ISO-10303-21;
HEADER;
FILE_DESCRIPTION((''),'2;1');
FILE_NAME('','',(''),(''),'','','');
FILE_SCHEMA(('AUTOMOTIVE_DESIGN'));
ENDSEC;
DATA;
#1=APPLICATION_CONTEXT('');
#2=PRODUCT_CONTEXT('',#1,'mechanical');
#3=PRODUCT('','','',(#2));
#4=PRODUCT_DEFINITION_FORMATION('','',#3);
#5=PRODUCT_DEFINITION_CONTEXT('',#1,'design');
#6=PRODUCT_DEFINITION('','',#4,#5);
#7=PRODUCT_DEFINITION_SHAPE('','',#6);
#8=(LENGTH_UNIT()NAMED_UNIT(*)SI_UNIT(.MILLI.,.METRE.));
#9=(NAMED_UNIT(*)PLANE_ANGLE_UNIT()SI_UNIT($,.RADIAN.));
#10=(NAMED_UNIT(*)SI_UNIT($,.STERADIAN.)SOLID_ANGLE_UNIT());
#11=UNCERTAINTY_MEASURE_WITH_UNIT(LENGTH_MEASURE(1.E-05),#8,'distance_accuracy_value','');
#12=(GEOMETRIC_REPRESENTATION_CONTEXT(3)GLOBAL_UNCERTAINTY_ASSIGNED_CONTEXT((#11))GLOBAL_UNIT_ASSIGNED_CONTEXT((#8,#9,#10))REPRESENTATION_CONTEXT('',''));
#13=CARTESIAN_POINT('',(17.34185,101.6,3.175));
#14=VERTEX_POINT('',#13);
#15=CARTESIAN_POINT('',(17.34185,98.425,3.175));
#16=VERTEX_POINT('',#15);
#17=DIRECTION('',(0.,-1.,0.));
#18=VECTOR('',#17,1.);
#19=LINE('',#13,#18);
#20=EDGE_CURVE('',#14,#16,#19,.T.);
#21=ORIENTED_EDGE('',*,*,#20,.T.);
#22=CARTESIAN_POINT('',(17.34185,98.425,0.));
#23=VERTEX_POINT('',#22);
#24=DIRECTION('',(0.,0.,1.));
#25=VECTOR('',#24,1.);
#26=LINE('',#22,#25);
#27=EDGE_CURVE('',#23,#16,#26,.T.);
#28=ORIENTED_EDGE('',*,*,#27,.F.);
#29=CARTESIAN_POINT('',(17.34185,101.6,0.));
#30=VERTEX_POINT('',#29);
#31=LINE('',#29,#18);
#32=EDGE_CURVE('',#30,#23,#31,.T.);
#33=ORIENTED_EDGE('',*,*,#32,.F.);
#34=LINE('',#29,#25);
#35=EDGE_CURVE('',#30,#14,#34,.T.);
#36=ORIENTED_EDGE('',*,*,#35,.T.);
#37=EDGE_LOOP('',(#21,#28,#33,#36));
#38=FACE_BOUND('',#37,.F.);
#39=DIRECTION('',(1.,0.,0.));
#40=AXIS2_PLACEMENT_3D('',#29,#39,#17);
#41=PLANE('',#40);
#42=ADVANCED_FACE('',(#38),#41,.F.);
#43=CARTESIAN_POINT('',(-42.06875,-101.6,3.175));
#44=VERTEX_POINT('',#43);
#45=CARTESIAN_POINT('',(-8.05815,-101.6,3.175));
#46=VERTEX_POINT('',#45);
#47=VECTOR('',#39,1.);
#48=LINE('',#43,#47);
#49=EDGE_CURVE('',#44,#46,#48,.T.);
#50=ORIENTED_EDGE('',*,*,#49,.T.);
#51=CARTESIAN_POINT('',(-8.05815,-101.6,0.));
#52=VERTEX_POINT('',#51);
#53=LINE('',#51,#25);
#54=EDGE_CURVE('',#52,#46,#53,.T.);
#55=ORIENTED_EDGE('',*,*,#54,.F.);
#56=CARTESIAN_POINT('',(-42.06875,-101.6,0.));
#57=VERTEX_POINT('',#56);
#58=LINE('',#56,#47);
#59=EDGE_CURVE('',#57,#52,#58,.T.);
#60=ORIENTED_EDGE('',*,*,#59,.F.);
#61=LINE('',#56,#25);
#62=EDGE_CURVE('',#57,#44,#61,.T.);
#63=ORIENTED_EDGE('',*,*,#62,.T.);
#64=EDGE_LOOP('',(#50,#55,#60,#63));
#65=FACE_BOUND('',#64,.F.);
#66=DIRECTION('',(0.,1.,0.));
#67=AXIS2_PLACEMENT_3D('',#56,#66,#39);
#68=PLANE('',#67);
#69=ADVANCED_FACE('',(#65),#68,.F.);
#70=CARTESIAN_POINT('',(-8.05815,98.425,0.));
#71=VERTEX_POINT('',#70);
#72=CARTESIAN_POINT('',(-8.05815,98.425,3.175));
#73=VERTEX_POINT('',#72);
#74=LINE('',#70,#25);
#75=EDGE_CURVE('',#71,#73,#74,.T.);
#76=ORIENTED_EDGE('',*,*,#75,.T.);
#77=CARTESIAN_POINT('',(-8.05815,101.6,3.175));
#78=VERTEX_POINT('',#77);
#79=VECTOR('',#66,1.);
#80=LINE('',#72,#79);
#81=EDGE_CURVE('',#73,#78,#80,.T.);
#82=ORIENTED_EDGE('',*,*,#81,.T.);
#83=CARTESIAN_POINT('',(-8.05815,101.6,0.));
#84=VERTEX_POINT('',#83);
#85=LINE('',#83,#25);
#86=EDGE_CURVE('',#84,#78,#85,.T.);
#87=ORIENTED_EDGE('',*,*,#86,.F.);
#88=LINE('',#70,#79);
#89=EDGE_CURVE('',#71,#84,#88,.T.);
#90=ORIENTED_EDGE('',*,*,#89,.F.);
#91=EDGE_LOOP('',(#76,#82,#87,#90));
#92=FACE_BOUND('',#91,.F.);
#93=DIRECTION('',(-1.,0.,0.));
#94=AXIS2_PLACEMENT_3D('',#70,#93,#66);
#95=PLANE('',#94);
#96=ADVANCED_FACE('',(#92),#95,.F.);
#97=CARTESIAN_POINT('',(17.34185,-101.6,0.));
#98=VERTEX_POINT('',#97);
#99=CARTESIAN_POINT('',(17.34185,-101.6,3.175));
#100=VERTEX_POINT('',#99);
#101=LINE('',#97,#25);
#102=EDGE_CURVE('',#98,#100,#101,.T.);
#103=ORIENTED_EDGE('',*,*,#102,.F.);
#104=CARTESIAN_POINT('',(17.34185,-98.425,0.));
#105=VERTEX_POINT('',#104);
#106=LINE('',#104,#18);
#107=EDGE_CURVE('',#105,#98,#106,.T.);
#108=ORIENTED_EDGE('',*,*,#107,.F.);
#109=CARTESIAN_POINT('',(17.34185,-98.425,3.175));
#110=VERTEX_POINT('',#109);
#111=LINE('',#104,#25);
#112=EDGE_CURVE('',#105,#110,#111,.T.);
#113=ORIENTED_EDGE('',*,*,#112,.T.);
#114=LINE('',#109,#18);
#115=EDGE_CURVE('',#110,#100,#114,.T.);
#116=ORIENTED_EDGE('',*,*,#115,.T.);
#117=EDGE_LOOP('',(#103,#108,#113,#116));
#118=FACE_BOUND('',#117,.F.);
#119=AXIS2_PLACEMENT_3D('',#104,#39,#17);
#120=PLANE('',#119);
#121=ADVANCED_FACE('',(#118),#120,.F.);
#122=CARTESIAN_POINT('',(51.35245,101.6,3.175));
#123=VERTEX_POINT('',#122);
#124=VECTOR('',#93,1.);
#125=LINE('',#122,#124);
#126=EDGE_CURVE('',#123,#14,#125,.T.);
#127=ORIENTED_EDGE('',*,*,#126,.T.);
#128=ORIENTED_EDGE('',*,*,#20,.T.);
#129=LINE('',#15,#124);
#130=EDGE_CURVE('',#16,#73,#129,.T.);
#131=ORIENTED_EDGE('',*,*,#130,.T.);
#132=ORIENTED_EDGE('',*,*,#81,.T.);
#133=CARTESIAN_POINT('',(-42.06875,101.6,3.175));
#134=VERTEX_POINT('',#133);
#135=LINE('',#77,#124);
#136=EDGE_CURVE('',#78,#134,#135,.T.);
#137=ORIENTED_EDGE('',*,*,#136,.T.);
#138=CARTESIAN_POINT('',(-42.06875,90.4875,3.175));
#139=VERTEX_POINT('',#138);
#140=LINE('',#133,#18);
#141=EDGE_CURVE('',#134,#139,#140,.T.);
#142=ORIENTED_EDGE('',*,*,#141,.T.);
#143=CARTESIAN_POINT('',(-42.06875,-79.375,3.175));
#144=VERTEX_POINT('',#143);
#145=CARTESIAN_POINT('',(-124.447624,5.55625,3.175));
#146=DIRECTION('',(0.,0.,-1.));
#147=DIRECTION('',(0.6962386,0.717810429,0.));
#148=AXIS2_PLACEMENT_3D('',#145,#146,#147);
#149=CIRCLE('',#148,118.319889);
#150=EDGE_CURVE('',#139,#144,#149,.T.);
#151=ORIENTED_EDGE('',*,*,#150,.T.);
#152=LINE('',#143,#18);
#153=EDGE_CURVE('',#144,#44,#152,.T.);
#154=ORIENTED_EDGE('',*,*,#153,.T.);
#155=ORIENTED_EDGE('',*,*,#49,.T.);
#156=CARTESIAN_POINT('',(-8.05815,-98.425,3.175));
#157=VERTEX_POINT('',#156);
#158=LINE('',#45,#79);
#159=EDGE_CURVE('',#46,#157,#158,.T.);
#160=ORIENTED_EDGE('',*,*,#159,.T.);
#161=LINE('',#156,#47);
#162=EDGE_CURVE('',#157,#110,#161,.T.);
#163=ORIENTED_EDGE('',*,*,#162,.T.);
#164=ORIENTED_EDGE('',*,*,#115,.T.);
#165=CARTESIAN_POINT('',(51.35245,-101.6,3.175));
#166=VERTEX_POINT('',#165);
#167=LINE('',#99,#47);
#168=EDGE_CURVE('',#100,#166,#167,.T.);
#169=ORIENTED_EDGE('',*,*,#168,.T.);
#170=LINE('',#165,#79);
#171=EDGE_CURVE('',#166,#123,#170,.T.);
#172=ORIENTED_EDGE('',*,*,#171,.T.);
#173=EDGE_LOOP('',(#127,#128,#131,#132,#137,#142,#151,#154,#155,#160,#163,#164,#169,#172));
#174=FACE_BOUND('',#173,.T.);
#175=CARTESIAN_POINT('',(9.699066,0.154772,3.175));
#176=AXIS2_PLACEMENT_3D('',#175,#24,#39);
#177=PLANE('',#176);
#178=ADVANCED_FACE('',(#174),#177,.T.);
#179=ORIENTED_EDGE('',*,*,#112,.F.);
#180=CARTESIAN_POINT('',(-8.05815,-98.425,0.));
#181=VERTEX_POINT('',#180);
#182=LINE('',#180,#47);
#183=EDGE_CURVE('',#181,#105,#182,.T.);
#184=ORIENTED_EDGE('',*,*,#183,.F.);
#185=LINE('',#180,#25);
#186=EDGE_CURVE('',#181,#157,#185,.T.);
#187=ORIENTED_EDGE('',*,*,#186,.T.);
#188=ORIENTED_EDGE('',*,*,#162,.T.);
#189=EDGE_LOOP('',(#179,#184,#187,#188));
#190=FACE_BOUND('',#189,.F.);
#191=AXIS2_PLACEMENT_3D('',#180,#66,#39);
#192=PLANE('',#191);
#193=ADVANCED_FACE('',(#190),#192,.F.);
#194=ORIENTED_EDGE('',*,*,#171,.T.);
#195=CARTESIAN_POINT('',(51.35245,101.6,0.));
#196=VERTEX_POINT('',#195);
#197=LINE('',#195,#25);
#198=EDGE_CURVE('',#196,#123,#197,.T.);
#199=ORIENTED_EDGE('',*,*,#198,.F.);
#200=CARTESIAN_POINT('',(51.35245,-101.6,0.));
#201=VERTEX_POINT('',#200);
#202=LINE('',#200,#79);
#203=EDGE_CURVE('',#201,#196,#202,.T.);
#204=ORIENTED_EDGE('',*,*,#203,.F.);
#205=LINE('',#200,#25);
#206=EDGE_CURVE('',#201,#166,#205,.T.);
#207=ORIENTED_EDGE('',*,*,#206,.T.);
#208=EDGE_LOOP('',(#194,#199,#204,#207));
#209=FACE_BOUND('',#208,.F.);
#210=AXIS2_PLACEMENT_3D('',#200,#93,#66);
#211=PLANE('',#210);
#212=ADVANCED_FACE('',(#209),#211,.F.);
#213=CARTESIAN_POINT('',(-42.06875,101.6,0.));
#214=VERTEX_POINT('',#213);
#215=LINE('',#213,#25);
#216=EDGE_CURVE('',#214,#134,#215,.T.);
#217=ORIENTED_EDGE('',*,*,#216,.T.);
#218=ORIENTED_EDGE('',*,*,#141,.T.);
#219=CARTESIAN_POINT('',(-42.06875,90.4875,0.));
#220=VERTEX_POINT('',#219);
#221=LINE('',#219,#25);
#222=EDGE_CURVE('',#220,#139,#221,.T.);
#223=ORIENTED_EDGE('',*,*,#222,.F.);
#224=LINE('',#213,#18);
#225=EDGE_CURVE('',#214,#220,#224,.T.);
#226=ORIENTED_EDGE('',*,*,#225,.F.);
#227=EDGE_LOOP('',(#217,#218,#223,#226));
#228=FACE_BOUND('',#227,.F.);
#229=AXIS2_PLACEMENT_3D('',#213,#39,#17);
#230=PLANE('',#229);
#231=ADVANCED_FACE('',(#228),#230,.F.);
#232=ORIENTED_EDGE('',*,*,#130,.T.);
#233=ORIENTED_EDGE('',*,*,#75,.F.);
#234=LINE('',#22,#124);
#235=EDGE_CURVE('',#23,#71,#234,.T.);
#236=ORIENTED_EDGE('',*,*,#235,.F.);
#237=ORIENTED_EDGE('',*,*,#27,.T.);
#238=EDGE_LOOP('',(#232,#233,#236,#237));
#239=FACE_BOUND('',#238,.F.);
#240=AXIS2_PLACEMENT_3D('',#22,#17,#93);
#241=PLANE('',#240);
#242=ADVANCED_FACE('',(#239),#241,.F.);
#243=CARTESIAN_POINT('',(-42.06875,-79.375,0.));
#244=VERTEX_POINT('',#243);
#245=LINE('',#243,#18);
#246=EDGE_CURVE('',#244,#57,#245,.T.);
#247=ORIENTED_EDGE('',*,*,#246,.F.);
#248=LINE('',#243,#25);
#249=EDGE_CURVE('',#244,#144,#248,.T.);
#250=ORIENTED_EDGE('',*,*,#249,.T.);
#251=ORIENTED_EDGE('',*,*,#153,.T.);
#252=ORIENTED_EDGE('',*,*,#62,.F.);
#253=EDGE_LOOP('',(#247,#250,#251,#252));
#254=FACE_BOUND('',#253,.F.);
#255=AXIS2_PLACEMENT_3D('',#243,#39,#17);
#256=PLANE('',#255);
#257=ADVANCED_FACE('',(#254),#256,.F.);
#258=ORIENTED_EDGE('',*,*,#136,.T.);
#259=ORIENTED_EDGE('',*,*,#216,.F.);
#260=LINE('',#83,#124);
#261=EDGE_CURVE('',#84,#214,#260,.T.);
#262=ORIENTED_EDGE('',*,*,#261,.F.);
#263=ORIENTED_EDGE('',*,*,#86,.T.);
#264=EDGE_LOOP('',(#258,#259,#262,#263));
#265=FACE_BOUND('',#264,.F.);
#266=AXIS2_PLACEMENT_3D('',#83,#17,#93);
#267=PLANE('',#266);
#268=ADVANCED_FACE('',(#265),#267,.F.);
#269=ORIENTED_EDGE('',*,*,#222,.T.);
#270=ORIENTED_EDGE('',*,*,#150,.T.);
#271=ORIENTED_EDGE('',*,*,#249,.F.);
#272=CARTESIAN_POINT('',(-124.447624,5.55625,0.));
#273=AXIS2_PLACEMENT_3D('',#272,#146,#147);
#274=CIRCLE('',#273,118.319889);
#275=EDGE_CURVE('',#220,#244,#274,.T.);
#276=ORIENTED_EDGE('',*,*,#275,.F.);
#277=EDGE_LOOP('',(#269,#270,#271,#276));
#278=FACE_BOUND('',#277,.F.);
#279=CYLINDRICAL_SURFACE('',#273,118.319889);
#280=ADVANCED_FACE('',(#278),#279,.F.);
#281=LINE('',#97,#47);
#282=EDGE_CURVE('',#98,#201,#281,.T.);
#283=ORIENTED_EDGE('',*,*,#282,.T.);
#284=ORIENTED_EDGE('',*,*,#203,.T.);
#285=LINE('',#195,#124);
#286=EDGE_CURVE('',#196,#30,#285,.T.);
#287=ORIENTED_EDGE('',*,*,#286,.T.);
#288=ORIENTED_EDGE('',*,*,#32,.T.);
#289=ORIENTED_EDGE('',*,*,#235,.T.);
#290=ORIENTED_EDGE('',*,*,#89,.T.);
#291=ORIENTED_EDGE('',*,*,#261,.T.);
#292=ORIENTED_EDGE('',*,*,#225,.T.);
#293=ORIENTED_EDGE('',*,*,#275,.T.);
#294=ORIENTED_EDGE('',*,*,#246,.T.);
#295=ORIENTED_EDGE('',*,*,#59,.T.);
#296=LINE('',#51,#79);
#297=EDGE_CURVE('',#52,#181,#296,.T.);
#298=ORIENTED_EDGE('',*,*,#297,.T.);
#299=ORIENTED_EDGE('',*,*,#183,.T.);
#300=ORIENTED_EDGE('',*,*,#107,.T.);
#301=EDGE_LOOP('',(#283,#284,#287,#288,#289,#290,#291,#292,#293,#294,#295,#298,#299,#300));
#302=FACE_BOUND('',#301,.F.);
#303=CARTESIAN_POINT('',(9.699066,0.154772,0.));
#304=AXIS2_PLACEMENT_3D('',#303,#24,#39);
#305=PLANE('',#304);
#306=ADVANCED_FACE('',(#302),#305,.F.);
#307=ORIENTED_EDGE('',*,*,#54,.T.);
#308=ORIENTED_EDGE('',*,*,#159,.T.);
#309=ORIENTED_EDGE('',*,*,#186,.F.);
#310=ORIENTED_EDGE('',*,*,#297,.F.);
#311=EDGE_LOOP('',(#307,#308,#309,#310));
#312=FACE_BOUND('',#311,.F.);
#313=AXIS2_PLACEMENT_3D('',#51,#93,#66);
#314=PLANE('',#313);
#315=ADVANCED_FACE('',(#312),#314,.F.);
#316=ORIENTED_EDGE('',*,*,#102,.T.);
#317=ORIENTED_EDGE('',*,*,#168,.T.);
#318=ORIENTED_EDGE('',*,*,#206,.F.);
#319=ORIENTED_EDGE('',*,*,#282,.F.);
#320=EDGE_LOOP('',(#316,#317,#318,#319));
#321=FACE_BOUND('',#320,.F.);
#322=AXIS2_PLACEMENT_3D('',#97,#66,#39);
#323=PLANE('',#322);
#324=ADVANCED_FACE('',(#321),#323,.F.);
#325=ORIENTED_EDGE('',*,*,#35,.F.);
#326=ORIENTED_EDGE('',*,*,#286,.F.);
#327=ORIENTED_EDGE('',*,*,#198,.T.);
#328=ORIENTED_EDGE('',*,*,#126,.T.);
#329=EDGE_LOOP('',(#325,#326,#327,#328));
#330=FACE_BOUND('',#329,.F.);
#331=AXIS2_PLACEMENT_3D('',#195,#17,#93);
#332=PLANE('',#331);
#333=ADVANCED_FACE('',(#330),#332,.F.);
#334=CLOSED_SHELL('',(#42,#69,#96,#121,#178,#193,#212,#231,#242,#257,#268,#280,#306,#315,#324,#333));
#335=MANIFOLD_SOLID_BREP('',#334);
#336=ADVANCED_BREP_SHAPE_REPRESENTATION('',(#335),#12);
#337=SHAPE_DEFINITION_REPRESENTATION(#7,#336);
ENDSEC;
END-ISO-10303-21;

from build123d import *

# Parameters (mm, degrees)
F1_DEPTH = 3.175


with BuildPart() as f1:
    # F0 (on Top) → F1 (new body)
    with BuildSketch(Plane.XY):
        with BuildLine():
            Line((-42.06875, -79.375), (-42.06875, -101.6))
            Line((-42.06875, -101.6), (-14.022917, -101.6))
            Line((-14.022917, -101.6), (-13.768917, -101.6))
            Line((-13.768917, -101.6), (-8.05815, -101.6))
            Line((-8.05815, -101.6), (-8.05815, -98.425))
            Line((-8.05815, -98.425), (4.64185, -98.425))
            Line((4.64185, -98.425), (17.34185, -98.425))
            Line((17.34185, -98.425), (17.34185, -101.6))
            Line((17.34185, -101.6), (50.33645, -101.6))
            Line((50.33645, -101.6), (51.35245, -101.6))
            Line((51.35245, -101.6), (51.35245, 101.6))
            Line((51.35245, 101.6), (24.579512, 101.6))
            Line((24.579512, 101.6), (17.34185, 101.6))
            Line((17.34185, 101.6), (17.34185, 98.425))
            Line((17.34185, 98.425), (4.64185, 98.425))
            Line((4.64185, 98.425), (-8.05815, 98.425))
            Line((-8.05815, 98.425), (-8.05815, 101.6))
            Line((-8.05815, 101.6), (-13.768917, 101.6))
            Line((-13.768917, 101.6), (-14.022917, 101.6))
            Line((-14.022917, 101.6), (-42.06875, 101.6))
            Line((-42.06875, 101.6), (-42.06875, 90.4875))
            ThreePointArc((-42.06875, 90.4875), (-6.127735, 5.55625), (-42.06875, -79.375))
        make_face()
    extrude(amount=F1_DEPTH)


solid = f1.part
